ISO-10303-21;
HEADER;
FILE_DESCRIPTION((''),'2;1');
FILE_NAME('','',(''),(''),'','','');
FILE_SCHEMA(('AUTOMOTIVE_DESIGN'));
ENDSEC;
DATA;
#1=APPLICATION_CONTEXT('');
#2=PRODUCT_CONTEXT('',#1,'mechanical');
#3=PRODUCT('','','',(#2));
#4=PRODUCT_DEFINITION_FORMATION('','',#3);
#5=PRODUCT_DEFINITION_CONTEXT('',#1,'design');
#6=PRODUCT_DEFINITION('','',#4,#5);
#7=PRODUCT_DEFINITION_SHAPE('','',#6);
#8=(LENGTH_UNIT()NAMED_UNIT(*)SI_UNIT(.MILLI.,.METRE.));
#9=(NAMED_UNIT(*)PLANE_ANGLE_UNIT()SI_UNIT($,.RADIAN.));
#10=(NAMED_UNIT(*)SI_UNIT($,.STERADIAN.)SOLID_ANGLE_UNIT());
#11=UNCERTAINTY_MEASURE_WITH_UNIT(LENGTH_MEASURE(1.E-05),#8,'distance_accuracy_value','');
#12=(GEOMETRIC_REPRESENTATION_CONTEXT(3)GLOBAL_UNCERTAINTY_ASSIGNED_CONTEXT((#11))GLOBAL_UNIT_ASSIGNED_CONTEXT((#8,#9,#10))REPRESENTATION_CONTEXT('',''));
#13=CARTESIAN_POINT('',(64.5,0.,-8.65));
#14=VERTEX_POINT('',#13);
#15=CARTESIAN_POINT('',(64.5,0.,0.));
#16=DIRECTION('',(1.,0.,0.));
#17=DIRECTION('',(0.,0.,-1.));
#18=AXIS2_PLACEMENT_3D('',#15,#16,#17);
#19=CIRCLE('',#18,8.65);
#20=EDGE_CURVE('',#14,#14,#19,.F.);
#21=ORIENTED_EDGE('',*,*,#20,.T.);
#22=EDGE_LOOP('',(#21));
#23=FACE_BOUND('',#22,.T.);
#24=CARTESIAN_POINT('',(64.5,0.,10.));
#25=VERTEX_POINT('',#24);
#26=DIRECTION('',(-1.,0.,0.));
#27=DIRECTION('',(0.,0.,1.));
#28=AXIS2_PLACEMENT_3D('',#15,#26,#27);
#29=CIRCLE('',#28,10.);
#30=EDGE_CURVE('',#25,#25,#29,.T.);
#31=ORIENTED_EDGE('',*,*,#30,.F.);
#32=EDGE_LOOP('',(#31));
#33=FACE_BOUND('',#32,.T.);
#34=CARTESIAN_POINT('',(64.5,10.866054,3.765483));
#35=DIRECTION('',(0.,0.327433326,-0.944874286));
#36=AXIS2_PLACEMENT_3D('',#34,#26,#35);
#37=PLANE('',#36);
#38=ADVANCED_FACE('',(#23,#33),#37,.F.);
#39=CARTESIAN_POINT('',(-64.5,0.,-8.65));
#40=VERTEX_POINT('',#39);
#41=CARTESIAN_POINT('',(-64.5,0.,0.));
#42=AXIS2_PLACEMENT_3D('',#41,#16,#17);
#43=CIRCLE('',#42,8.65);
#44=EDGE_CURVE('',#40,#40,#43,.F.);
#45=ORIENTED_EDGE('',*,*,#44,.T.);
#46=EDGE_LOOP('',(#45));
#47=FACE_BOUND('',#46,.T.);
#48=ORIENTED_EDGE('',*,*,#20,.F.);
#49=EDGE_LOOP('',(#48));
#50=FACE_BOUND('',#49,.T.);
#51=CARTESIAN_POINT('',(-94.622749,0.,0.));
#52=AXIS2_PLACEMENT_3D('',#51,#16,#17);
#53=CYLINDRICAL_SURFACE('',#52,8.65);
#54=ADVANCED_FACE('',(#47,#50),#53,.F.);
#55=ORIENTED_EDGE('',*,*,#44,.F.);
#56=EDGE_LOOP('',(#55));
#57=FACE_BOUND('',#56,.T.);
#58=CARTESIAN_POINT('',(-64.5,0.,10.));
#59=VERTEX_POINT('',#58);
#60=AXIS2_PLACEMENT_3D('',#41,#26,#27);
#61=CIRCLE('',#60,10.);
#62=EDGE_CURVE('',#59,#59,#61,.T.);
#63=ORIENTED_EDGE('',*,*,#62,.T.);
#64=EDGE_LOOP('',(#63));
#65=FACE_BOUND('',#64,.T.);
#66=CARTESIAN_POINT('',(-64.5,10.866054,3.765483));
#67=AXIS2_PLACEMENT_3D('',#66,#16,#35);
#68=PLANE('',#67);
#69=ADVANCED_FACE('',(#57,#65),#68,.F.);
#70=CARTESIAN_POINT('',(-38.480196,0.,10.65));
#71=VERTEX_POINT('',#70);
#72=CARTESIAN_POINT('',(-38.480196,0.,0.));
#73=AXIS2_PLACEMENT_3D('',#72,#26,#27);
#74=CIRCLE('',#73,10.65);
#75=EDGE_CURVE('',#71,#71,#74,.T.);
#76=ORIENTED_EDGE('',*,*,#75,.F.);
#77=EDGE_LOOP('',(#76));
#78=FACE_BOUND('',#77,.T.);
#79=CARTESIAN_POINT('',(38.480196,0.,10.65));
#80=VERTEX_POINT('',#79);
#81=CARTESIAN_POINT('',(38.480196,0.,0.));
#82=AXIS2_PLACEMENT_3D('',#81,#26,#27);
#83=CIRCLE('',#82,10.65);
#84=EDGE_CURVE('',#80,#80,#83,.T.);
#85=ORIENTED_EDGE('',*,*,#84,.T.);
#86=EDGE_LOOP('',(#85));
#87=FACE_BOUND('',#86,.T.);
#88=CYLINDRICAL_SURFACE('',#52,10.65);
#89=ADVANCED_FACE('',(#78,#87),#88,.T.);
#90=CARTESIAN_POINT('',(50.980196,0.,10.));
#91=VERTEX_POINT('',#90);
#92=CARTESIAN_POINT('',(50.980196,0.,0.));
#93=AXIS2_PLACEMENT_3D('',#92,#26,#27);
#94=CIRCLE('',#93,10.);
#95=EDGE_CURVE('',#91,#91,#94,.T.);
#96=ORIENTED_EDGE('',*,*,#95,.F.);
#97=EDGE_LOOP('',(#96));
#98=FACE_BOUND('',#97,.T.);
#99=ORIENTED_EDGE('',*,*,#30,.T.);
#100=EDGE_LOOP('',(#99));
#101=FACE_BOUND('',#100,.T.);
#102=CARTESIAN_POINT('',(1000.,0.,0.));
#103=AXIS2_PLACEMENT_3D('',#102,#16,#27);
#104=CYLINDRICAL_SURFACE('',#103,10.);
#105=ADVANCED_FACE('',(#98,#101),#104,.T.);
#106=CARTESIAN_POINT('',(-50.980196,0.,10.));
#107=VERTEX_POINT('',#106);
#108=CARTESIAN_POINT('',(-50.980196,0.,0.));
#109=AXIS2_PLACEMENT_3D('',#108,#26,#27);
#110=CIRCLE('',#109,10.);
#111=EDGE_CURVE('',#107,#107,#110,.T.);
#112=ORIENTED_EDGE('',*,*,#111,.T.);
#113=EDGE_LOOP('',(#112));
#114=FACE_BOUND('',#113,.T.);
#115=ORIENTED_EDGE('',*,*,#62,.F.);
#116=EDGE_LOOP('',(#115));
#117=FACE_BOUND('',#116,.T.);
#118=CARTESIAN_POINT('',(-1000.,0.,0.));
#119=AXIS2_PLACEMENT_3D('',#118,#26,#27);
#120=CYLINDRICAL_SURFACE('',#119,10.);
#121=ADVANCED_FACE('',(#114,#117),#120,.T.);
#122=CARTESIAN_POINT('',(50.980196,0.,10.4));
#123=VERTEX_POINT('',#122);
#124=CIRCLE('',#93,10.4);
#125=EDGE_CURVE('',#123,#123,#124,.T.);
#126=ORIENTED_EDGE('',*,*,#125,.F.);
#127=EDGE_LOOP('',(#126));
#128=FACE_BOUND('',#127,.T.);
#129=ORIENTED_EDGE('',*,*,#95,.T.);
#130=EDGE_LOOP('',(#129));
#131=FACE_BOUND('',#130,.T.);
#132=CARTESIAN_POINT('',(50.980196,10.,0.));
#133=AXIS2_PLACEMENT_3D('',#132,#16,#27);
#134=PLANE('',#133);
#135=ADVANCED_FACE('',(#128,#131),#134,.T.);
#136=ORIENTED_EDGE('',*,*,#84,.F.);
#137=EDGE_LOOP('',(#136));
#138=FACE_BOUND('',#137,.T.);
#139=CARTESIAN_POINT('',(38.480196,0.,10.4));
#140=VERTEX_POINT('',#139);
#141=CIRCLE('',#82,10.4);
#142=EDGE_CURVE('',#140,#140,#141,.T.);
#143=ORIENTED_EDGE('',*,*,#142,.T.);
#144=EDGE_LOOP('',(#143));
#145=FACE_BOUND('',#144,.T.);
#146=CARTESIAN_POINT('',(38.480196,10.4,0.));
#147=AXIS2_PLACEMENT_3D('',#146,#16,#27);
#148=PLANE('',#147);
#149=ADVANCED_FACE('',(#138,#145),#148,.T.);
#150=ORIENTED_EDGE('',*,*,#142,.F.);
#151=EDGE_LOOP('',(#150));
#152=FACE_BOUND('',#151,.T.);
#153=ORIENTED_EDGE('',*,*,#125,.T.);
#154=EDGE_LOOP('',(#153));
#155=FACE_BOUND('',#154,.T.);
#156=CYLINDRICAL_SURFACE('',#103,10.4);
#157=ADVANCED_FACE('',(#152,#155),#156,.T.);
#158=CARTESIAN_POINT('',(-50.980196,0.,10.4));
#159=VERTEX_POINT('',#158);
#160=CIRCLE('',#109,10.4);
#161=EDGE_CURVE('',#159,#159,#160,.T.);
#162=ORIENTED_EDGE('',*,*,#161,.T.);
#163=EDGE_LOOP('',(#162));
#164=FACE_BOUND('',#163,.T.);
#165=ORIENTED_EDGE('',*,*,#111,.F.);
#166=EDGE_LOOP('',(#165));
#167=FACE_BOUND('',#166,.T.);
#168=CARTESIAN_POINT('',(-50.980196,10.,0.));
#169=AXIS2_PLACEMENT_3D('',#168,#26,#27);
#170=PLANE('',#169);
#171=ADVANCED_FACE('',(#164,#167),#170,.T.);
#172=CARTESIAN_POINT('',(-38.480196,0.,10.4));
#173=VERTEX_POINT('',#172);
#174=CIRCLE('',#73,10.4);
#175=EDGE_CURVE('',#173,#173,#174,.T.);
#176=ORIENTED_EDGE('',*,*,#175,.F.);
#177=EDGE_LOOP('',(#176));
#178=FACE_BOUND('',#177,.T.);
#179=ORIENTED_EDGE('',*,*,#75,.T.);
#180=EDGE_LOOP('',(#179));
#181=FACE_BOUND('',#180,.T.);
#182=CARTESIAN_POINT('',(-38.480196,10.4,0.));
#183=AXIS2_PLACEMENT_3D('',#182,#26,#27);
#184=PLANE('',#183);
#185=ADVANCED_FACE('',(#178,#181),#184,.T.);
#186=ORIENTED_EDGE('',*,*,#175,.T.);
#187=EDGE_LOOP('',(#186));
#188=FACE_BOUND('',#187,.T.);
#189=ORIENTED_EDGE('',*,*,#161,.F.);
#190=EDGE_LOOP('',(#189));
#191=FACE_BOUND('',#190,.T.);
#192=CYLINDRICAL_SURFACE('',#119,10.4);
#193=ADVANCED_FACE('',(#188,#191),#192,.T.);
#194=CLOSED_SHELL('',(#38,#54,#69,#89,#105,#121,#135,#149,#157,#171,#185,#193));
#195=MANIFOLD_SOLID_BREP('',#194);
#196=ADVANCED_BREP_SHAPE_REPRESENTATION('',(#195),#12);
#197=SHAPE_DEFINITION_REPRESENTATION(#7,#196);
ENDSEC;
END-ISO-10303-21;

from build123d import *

# Parameters (mm, degrees)
SKETCH_1_R      = 10.65
SKETCH_1_R_2    = 8.65
EXTRUDE_1_DEPTH = 64.5


with BuildPart() as part:
    # Эскиз1 → Бобышка-Вытянуть1 (new body)
    with BuildSketch(Plane(origin=(0, 0, 0), x_dir=(0, 0, -1), z_dir=(1, 0, 0))):
        Circle(SKETCH_1_R)
        Circle(SKETCH_1_R_2, mode=Mode.SUBTRACT)
    extrude(amount=-EXTRUDE_1_DEPTH)

    # Эскиз2 → Вырез-Повернуть1 (revolve, cut)
    with BuildSketch(Plane.XY):
        Polygon((-38.480196097, 10.65), (-64.5, 10.65), (-64.5, 10), (-50.980196097, 10), (-50.980196097, 10.4), (-38.480196097, 10.4), align=None)
    revolve(axis=Axis((-1000, 0, 0), (1, 0, 0)), mode=Mode.SUBTRACT)

    # Зеркальное отражение1: part across plane


with BuildPart() as part_1:
    add(part.part)
    add(part.part.mirror(Plane(origin=(0, 0, 0), x_dir=(0, 0, 1), z_dir=(1, 0, 0))))


solid = part_1.part
